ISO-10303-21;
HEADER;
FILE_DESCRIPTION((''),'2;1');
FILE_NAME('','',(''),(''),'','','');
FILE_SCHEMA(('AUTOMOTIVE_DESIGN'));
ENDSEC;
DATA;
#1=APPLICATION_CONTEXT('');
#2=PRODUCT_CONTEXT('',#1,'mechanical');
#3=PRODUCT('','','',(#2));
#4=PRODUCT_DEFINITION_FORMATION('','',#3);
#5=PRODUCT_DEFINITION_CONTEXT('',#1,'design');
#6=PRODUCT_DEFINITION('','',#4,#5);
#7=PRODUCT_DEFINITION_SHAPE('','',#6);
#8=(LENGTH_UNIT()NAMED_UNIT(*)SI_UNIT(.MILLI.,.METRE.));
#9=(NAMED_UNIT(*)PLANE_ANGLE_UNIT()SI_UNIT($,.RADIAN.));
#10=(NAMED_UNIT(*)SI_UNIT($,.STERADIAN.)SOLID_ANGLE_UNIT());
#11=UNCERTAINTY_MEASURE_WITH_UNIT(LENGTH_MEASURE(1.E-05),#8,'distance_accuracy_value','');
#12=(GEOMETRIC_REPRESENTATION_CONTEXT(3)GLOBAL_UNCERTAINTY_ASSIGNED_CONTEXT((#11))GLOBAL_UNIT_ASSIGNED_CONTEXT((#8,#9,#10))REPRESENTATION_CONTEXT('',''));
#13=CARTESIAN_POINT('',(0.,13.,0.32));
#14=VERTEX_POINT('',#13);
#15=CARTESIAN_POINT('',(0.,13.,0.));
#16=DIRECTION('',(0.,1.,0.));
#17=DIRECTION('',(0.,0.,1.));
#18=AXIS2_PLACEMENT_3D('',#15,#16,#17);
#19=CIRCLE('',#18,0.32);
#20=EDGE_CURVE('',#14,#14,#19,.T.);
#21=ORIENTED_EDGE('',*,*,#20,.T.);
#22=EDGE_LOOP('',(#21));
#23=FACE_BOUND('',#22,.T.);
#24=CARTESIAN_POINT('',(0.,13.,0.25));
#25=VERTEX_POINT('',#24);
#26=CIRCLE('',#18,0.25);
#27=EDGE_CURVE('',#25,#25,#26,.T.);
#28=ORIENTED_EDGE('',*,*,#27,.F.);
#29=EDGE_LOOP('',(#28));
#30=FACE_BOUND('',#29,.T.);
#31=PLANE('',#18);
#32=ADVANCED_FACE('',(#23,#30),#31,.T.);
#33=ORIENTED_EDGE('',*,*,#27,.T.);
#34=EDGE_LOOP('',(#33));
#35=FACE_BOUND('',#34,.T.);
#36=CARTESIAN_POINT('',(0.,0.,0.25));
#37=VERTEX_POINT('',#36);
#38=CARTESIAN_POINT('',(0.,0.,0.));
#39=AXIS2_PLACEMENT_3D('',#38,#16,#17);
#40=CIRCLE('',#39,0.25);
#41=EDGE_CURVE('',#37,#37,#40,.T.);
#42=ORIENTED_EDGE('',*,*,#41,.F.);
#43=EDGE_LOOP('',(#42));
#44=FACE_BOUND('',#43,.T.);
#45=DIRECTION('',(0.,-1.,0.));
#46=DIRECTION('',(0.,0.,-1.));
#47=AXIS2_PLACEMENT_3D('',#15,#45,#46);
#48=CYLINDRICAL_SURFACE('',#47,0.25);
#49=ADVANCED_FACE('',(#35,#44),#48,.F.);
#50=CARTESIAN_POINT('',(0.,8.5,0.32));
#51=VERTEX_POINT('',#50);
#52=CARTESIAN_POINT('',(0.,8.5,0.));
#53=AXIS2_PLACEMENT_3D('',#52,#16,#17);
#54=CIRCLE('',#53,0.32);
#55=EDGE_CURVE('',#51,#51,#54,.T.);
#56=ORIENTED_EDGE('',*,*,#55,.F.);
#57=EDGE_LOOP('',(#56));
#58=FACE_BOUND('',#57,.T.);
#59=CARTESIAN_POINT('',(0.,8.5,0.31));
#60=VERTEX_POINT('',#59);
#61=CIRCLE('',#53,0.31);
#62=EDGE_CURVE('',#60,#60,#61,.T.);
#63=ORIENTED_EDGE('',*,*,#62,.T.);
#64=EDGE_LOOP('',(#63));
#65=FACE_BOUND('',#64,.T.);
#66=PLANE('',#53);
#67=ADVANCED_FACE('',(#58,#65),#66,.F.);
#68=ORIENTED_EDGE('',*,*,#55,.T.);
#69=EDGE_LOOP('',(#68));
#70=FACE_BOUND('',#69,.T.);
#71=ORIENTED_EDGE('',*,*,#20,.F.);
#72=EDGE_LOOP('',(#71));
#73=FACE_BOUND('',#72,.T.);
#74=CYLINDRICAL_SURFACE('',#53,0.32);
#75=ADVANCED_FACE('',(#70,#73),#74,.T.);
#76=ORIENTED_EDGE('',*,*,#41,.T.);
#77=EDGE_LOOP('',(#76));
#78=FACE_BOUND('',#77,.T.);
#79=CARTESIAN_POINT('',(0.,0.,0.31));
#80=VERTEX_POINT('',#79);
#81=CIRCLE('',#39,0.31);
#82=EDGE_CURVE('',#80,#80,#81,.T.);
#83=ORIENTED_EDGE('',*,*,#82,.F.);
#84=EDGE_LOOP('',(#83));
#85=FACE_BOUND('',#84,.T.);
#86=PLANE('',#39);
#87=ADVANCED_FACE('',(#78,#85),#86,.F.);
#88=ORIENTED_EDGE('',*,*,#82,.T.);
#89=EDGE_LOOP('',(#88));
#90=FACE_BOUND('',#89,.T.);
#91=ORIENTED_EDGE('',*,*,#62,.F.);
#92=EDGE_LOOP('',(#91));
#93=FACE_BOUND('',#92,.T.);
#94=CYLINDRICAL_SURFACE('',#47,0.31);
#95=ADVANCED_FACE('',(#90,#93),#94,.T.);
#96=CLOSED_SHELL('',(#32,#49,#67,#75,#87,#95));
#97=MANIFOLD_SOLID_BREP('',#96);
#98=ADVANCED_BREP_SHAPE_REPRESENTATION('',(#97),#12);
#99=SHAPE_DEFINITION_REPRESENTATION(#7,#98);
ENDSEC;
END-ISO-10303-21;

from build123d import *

# Parameters (mm, degrees)
SKETCH1_R           = 0.31
SKETCH1_R_2         = 0.25
BOSS_EXTRUDE1_DEPTH = 13
SKETCH2_R           = 0.32
SKETCH2_R_2         = 0.31
BOSS_EXTRUDE2_DEPTH = 4.5


with BuildPart() as part:
    # Sketch1 → Boss-Extrude1 (new body)
    with BuildSketch(Plane(origin=(0, 0, 0), x_dir=(1, 0, 0), z_dir=(0, 1, 0))):
        Circle(SKETCH1_R)
        Circle(SKETCH1_R_2, mode=Mode.SUBTRACT)
    extrude(amount=BOSS_EXTRUDE1_DEPTH)

    # Sketch2 → Boss-Extrude2 (add)
    with BuildSketch(Plane(origin=(0, 13, 0), x_dir=(1, 0, 0), z_dir=(0, 1, 0))):
        Circle(SKETCH2_R)
        Circle(SKETCH2_R_2, mode=Mode.SUBTRACT)
    extrude(amount=-BOSS_EXTRUDE2_DEPTH)


solid = part.part
